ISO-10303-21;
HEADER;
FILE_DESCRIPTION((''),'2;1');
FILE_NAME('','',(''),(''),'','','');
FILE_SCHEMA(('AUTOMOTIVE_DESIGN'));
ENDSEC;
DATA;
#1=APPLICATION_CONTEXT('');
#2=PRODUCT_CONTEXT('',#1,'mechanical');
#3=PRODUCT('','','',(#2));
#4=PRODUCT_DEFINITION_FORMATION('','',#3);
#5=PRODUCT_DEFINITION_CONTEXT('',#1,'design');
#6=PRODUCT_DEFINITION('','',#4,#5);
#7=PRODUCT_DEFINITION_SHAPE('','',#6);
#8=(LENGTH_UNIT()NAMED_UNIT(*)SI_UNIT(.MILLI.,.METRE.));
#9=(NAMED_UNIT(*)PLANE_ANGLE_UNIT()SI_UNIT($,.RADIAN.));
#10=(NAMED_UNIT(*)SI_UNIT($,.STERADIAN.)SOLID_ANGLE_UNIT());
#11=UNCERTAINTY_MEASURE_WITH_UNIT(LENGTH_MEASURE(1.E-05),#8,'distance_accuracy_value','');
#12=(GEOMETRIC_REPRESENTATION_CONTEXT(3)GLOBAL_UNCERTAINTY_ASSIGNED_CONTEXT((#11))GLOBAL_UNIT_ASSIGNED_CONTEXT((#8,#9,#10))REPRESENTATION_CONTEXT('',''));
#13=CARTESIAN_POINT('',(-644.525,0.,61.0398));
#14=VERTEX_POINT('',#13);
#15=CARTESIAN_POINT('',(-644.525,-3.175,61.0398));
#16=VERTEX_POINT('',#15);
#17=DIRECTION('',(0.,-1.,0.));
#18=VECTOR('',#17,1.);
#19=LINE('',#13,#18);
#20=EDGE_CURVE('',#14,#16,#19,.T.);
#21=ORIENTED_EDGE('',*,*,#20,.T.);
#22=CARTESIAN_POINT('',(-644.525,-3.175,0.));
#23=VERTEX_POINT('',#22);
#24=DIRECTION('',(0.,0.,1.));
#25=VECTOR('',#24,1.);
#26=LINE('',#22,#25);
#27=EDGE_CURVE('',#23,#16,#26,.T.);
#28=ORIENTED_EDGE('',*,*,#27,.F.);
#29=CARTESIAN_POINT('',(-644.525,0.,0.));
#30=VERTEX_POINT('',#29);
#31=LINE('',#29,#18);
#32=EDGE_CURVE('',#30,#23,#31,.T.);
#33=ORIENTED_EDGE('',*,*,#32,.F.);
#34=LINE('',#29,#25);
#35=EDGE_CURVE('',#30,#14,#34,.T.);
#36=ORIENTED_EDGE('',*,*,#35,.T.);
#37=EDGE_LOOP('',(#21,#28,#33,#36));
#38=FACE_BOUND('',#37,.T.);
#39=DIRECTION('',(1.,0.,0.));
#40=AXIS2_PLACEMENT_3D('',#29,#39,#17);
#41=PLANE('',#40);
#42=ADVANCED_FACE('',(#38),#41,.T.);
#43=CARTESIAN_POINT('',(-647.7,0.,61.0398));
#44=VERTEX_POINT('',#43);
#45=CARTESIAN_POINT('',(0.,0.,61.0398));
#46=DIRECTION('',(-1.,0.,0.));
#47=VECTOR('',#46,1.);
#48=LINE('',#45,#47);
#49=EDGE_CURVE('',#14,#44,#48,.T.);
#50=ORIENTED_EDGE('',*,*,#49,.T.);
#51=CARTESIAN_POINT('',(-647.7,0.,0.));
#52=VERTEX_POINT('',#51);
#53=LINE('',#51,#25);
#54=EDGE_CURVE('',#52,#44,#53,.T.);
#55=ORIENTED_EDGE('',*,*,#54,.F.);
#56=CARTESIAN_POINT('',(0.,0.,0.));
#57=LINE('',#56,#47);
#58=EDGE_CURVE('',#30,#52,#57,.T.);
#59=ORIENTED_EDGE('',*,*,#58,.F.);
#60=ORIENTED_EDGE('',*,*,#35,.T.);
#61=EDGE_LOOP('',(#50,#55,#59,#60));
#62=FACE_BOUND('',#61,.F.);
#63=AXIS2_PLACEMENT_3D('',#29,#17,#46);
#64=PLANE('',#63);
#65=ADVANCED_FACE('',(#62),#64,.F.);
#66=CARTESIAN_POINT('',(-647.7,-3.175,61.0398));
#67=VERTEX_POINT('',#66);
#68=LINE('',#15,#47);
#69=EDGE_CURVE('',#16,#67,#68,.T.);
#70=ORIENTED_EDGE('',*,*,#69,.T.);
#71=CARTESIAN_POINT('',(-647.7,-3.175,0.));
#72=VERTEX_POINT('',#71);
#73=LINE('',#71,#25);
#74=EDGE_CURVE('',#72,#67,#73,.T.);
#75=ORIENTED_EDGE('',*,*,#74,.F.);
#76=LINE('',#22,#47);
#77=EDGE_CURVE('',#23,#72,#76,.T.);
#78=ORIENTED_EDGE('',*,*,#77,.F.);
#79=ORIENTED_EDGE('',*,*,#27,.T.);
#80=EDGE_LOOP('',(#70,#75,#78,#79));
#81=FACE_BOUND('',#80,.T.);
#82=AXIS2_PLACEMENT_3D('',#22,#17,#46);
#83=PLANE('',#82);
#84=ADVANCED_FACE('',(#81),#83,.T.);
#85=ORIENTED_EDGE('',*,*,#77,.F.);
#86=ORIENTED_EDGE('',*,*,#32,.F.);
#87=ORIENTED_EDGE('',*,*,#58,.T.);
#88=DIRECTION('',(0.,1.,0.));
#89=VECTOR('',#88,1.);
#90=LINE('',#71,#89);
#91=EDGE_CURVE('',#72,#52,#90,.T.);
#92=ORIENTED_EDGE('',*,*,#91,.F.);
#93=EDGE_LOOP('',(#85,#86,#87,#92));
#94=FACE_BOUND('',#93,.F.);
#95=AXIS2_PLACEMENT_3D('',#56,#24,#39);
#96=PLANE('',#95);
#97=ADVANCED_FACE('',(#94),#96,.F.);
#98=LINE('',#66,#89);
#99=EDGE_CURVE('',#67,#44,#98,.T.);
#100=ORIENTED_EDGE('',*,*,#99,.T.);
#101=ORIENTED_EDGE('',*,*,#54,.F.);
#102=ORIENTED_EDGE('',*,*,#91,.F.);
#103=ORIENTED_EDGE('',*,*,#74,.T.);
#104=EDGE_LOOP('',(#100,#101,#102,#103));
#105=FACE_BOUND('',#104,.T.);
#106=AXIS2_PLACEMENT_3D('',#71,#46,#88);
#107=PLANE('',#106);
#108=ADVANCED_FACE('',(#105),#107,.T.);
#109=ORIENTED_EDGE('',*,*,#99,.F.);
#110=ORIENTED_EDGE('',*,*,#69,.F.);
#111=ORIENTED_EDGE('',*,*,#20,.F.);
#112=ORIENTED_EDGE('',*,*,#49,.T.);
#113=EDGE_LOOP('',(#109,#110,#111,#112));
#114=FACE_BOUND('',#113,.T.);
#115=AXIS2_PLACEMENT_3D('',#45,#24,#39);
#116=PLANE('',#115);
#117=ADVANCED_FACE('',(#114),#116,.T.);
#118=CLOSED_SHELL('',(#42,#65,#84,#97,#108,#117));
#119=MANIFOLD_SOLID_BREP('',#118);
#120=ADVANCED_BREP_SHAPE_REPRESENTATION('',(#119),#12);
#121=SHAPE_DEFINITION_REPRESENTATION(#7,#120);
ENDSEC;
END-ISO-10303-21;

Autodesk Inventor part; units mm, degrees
ref_plane "YZ Plane" through (0, 0, 0) normal (1, 0, 0) x (0, 1, 0)
ref_plane "XZ Plane" through (0, 0, 0) normal (0, 1, 0) x (-1, 0, 0)
ref_plane "XY Plane" through (0, 0, 0) normal (0, 0, 1) x (1, 0, 0)
sketch "Sketch1" plane through (0, 0, 0) normal (0, 0, 1) x (1, 0, 0)
  line L0 (0, 0) -> (-647.7, 0)
  line L1 (-647.7, 0) -> (-644.525, 0)
  line L2 (-644.525, 0) -> (-644.525, -3.175)
  line L3 (-644.525, -3.175) -> (-647.7, -3.175)
  line L4 (-647.7, -3.175) -> (-647.7, 0)
  dimension "d0" = 647.7
  dimension "d1" = 3.175
  dimension "d2" = 3.175
extrude "Extrusion1" add sketch "Sketch1" along normal blind 61.0398
properties part number "TemporaryBlock"
